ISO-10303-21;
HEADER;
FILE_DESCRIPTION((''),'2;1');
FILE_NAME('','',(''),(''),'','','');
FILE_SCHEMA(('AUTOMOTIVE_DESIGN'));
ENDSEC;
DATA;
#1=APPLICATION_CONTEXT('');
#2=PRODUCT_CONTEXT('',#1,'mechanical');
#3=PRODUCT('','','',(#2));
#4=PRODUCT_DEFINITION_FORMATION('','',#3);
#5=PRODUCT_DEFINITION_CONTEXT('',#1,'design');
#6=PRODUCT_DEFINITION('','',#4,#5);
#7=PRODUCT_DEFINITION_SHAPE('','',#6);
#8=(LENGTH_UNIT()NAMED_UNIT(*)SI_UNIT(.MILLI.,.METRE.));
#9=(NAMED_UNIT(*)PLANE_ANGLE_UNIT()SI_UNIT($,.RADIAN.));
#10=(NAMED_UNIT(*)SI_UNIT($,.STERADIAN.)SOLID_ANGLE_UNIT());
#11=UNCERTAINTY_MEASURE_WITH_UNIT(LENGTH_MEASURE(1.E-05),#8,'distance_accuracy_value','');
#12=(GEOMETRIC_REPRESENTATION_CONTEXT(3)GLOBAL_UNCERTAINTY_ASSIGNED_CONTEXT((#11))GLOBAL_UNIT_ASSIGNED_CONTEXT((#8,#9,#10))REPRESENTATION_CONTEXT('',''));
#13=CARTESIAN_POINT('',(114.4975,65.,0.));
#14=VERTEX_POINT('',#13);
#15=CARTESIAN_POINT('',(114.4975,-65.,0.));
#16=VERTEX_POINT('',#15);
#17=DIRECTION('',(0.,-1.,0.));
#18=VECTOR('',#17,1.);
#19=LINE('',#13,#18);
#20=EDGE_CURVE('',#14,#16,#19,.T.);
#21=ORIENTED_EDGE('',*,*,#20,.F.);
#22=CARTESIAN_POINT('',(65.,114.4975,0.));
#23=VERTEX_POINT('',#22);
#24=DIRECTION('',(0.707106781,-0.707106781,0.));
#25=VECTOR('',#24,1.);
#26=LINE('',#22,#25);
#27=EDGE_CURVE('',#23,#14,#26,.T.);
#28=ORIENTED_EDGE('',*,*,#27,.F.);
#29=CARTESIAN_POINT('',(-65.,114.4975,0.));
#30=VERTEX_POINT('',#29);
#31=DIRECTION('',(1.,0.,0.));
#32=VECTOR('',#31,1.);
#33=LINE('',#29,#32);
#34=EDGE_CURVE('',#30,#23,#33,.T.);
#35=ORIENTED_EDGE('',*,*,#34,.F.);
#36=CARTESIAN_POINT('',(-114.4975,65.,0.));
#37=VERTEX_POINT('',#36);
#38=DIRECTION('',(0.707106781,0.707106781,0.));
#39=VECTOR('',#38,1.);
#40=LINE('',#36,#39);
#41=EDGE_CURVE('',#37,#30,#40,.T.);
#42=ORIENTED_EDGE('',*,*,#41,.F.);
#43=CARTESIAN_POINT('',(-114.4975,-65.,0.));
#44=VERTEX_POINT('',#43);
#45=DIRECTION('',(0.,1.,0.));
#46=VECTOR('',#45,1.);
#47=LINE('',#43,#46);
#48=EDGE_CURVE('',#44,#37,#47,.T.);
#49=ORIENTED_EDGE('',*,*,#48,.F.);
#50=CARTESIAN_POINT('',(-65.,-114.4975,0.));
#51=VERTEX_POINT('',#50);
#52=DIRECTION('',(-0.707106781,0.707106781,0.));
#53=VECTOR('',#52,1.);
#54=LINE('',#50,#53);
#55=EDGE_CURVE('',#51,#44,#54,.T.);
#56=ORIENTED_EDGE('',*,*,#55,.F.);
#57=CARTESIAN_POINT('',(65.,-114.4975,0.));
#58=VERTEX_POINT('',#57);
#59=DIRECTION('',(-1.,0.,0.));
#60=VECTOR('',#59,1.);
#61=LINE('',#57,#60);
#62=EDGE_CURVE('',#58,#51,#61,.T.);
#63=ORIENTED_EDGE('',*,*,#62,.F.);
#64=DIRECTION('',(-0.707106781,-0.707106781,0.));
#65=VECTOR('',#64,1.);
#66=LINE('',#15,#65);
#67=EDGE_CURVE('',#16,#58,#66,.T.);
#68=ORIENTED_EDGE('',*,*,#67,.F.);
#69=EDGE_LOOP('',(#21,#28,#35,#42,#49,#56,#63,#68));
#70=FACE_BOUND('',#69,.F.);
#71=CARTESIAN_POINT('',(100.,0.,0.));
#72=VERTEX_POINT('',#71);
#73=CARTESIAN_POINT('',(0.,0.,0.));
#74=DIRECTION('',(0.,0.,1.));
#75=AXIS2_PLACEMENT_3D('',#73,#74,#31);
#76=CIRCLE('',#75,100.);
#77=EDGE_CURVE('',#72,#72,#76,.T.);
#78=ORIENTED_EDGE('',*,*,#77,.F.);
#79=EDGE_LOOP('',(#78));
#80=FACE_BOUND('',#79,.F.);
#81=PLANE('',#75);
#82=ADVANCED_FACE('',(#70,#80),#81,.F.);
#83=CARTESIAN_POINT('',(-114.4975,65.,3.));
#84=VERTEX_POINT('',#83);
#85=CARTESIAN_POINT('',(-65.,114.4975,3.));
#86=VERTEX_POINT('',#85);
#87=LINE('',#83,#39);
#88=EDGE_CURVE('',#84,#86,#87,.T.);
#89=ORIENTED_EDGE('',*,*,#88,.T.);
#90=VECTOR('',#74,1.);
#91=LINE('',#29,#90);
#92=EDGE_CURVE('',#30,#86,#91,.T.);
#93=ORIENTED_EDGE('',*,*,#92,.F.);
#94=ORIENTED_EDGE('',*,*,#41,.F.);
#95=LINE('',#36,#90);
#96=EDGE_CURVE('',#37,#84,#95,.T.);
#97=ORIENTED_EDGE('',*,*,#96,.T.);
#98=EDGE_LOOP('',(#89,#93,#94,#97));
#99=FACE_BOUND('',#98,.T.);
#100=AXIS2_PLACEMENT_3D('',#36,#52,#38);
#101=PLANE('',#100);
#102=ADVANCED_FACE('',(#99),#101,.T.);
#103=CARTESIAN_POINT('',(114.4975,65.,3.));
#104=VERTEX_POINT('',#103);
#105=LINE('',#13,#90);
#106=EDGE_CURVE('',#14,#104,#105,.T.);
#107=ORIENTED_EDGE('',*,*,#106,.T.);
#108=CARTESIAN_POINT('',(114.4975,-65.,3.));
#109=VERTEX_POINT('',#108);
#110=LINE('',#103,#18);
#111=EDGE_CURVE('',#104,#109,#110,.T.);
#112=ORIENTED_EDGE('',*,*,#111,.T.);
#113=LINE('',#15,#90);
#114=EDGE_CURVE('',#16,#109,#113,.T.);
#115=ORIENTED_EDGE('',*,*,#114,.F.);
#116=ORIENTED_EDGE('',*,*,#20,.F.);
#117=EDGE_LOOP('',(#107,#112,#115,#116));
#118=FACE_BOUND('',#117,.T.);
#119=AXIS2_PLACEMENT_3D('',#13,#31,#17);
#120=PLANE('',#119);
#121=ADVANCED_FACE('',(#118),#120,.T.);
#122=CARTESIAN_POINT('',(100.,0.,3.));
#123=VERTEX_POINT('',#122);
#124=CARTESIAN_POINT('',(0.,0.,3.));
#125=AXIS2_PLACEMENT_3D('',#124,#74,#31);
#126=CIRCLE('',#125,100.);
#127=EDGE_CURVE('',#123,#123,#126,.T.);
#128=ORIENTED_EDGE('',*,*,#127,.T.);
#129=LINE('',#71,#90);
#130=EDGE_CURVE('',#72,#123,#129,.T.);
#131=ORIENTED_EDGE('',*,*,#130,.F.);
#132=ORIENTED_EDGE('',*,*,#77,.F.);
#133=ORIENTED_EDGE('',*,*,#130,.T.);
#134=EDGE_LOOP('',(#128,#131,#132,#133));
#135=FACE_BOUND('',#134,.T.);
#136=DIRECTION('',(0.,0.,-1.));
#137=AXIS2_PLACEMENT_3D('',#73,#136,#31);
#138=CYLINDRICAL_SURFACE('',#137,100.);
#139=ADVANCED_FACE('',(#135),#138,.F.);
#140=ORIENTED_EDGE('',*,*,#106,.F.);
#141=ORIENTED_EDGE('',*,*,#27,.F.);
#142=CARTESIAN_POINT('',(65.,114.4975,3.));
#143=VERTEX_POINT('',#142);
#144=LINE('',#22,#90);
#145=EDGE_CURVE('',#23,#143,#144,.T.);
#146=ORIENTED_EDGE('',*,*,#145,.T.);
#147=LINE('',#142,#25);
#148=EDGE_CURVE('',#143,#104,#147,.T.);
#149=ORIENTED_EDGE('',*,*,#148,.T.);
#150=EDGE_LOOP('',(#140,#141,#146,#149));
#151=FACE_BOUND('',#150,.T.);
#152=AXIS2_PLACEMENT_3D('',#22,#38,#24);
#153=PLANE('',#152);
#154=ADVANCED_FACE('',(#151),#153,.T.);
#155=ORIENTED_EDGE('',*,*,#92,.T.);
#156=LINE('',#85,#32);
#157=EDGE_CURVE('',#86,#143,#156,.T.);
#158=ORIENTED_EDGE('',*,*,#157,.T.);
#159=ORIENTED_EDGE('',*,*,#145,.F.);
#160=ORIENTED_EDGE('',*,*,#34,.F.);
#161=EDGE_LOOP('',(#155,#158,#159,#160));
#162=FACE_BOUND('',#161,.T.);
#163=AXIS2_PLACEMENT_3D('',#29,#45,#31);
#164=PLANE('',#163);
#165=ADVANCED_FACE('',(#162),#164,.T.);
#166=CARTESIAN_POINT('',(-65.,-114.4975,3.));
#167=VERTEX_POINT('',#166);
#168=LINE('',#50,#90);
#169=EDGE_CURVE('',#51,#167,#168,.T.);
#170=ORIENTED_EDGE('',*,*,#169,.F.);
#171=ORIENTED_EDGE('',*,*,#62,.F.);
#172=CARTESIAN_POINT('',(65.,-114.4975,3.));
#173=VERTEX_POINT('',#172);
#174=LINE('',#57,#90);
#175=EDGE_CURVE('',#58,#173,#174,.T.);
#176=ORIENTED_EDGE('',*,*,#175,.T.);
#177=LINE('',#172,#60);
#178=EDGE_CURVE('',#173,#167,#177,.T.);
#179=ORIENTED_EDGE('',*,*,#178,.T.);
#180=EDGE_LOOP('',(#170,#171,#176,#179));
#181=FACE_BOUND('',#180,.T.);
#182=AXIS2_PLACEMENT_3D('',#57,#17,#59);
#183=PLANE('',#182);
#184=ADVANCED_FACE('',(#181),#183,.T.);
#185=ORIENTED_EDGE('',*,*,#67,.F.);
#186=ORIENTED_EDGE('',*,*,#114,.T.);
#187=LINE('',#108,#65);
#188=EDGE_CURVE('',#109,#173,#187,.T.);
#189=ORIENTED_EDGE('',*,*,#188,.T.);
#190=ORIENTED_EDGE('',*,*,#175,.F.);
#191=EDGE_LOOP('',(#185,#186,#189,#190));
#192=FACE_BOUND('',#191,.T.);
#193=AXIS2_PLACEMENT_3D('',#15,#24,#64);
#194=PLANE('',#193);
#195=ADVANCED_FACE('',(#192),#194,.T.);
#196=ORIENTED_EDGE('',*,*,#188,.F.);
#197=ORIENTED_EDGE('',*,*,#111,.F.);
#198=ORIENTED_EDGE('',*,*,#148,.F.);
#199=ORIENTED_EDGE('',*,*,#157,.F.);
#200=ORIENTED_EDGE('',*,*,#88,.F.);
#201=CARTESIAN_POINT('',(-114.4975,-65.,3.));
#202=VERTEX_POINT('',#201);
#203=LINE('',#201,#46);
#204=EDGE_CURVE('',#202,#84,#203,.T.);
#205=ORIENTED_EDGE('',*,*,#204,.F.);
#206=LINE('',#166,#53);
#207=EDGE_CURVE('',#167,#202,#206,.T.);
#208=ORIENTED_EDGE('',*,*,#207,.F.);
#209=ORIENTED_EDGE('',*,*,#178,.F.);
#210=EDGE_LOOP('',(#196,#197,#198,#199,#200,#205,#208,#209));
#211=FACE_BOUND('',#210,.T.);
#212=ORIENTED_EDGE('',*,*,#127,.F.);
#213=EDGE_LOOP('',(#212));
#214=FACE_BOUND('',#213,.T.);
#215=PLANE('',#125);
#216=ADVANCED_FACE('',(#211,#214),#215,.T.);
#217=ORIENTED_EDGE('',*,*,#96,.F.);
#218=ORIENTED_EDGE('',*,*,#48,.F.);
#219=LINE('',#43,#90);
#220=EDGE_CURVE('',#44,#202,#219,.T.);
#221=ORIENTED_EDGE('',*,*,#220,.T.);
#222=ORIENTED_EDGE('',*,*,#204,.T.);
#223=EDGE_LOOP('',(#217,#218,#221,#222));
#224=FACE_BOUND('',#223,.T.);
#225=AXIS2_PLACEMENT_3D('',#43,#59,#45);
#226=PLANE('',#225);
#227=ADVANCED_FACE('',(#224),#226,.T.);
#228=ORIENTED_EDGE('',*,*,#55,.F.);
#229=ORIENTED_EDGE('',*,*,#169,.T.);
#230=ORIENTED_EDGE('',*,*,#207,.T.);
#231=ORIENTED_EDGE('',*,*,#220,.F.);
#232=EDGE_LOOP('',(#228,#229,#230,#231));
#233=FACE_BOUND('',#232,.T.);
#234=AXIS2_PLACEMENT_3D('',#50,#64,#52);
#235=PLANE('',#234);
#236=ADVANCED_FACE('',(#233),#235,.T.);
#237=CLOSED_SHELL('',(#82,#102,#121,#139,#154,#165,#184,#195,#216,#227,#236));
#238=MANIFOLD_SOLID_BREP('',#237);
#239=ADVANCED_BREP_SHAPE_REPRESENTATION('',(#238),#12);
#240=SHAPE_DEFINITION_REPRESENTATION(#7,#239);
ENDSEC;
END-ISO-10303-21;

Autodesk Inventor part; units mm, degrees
ref_plane "YZ Plane" through (0, 0, 0) normal (1, 0, 0) x (0, 1, 0)
ref_plane "XZ Plane" through (0, 0, 0) normal (0, 1, 0) x (-1, 0, 0)
ref_plane "XY Plane" through (0, 0, 0) normal (0, 0, 1) x (1, 0, 0)
sketch "Sketch1" plane through (0, 0, 0) normal (0, 0, 1) x (1, 0, 0)
  circle A0 centre (0, 0) radius 100
  line L0 (-114.4975, -65) -> (-114.4975, 65)
  line L1 (-114.4975, 65) -> (-65, 114.4975)
  line L2 (-65, 114.4975) -> (65, 114.4975)
  line L3 (65, 114.4975) -> (114.4975, 65)
  line L4 (114.4975, 65) -> (114.4975, -65)
  line L5 (114.4975, -65) -> (65, -114.4975)
  line L6 (65, -114.4975) -> (-65, -114.4975)
  line L7 (-65, -114.4975) -> (-114.4975, -65)
  point P0 (-114.4975, 0)
  point P1 (114.4975, 0)
  point P2 (0, 114.4975)
  point P3 (0, -114.4975)
  dimension "d22" = 200
  dimension "d33" = 130
  dimension "d35" = 70
extrude "Plate1" add sketch "Sketch1" along normal blind 3
equation "\"d33\" = Wall_1_width"
equation "\"d35\" = Wall_2_width"
equation "\"d2\" = Thickness"
equation "\"BendReliefWidth\" = Thickness"
equation "\"BendReliefDepth\" = 0.5 * Thickness"
equation "\"CornerReliefSize\" = 4 * Thickness"
equation "\"MinimumRemnant\" = 2 * Thickness"
equation "\"TransitionRadius\" = BendRadius"
equation "\"JacobiRadiusSize\" = BendRadius"
equation "\"GapSize\" = Thickness"
equation "\"Wall_1_width\" = 130"
equation "\"Wall_2_width\" = 70"
equation "\"Thickness\" = 3"
equation "\"BendRadius\" = 5"
properties part number "TKS 3553 BOTTOM DS reduce flange" material "Stainless Steel"
